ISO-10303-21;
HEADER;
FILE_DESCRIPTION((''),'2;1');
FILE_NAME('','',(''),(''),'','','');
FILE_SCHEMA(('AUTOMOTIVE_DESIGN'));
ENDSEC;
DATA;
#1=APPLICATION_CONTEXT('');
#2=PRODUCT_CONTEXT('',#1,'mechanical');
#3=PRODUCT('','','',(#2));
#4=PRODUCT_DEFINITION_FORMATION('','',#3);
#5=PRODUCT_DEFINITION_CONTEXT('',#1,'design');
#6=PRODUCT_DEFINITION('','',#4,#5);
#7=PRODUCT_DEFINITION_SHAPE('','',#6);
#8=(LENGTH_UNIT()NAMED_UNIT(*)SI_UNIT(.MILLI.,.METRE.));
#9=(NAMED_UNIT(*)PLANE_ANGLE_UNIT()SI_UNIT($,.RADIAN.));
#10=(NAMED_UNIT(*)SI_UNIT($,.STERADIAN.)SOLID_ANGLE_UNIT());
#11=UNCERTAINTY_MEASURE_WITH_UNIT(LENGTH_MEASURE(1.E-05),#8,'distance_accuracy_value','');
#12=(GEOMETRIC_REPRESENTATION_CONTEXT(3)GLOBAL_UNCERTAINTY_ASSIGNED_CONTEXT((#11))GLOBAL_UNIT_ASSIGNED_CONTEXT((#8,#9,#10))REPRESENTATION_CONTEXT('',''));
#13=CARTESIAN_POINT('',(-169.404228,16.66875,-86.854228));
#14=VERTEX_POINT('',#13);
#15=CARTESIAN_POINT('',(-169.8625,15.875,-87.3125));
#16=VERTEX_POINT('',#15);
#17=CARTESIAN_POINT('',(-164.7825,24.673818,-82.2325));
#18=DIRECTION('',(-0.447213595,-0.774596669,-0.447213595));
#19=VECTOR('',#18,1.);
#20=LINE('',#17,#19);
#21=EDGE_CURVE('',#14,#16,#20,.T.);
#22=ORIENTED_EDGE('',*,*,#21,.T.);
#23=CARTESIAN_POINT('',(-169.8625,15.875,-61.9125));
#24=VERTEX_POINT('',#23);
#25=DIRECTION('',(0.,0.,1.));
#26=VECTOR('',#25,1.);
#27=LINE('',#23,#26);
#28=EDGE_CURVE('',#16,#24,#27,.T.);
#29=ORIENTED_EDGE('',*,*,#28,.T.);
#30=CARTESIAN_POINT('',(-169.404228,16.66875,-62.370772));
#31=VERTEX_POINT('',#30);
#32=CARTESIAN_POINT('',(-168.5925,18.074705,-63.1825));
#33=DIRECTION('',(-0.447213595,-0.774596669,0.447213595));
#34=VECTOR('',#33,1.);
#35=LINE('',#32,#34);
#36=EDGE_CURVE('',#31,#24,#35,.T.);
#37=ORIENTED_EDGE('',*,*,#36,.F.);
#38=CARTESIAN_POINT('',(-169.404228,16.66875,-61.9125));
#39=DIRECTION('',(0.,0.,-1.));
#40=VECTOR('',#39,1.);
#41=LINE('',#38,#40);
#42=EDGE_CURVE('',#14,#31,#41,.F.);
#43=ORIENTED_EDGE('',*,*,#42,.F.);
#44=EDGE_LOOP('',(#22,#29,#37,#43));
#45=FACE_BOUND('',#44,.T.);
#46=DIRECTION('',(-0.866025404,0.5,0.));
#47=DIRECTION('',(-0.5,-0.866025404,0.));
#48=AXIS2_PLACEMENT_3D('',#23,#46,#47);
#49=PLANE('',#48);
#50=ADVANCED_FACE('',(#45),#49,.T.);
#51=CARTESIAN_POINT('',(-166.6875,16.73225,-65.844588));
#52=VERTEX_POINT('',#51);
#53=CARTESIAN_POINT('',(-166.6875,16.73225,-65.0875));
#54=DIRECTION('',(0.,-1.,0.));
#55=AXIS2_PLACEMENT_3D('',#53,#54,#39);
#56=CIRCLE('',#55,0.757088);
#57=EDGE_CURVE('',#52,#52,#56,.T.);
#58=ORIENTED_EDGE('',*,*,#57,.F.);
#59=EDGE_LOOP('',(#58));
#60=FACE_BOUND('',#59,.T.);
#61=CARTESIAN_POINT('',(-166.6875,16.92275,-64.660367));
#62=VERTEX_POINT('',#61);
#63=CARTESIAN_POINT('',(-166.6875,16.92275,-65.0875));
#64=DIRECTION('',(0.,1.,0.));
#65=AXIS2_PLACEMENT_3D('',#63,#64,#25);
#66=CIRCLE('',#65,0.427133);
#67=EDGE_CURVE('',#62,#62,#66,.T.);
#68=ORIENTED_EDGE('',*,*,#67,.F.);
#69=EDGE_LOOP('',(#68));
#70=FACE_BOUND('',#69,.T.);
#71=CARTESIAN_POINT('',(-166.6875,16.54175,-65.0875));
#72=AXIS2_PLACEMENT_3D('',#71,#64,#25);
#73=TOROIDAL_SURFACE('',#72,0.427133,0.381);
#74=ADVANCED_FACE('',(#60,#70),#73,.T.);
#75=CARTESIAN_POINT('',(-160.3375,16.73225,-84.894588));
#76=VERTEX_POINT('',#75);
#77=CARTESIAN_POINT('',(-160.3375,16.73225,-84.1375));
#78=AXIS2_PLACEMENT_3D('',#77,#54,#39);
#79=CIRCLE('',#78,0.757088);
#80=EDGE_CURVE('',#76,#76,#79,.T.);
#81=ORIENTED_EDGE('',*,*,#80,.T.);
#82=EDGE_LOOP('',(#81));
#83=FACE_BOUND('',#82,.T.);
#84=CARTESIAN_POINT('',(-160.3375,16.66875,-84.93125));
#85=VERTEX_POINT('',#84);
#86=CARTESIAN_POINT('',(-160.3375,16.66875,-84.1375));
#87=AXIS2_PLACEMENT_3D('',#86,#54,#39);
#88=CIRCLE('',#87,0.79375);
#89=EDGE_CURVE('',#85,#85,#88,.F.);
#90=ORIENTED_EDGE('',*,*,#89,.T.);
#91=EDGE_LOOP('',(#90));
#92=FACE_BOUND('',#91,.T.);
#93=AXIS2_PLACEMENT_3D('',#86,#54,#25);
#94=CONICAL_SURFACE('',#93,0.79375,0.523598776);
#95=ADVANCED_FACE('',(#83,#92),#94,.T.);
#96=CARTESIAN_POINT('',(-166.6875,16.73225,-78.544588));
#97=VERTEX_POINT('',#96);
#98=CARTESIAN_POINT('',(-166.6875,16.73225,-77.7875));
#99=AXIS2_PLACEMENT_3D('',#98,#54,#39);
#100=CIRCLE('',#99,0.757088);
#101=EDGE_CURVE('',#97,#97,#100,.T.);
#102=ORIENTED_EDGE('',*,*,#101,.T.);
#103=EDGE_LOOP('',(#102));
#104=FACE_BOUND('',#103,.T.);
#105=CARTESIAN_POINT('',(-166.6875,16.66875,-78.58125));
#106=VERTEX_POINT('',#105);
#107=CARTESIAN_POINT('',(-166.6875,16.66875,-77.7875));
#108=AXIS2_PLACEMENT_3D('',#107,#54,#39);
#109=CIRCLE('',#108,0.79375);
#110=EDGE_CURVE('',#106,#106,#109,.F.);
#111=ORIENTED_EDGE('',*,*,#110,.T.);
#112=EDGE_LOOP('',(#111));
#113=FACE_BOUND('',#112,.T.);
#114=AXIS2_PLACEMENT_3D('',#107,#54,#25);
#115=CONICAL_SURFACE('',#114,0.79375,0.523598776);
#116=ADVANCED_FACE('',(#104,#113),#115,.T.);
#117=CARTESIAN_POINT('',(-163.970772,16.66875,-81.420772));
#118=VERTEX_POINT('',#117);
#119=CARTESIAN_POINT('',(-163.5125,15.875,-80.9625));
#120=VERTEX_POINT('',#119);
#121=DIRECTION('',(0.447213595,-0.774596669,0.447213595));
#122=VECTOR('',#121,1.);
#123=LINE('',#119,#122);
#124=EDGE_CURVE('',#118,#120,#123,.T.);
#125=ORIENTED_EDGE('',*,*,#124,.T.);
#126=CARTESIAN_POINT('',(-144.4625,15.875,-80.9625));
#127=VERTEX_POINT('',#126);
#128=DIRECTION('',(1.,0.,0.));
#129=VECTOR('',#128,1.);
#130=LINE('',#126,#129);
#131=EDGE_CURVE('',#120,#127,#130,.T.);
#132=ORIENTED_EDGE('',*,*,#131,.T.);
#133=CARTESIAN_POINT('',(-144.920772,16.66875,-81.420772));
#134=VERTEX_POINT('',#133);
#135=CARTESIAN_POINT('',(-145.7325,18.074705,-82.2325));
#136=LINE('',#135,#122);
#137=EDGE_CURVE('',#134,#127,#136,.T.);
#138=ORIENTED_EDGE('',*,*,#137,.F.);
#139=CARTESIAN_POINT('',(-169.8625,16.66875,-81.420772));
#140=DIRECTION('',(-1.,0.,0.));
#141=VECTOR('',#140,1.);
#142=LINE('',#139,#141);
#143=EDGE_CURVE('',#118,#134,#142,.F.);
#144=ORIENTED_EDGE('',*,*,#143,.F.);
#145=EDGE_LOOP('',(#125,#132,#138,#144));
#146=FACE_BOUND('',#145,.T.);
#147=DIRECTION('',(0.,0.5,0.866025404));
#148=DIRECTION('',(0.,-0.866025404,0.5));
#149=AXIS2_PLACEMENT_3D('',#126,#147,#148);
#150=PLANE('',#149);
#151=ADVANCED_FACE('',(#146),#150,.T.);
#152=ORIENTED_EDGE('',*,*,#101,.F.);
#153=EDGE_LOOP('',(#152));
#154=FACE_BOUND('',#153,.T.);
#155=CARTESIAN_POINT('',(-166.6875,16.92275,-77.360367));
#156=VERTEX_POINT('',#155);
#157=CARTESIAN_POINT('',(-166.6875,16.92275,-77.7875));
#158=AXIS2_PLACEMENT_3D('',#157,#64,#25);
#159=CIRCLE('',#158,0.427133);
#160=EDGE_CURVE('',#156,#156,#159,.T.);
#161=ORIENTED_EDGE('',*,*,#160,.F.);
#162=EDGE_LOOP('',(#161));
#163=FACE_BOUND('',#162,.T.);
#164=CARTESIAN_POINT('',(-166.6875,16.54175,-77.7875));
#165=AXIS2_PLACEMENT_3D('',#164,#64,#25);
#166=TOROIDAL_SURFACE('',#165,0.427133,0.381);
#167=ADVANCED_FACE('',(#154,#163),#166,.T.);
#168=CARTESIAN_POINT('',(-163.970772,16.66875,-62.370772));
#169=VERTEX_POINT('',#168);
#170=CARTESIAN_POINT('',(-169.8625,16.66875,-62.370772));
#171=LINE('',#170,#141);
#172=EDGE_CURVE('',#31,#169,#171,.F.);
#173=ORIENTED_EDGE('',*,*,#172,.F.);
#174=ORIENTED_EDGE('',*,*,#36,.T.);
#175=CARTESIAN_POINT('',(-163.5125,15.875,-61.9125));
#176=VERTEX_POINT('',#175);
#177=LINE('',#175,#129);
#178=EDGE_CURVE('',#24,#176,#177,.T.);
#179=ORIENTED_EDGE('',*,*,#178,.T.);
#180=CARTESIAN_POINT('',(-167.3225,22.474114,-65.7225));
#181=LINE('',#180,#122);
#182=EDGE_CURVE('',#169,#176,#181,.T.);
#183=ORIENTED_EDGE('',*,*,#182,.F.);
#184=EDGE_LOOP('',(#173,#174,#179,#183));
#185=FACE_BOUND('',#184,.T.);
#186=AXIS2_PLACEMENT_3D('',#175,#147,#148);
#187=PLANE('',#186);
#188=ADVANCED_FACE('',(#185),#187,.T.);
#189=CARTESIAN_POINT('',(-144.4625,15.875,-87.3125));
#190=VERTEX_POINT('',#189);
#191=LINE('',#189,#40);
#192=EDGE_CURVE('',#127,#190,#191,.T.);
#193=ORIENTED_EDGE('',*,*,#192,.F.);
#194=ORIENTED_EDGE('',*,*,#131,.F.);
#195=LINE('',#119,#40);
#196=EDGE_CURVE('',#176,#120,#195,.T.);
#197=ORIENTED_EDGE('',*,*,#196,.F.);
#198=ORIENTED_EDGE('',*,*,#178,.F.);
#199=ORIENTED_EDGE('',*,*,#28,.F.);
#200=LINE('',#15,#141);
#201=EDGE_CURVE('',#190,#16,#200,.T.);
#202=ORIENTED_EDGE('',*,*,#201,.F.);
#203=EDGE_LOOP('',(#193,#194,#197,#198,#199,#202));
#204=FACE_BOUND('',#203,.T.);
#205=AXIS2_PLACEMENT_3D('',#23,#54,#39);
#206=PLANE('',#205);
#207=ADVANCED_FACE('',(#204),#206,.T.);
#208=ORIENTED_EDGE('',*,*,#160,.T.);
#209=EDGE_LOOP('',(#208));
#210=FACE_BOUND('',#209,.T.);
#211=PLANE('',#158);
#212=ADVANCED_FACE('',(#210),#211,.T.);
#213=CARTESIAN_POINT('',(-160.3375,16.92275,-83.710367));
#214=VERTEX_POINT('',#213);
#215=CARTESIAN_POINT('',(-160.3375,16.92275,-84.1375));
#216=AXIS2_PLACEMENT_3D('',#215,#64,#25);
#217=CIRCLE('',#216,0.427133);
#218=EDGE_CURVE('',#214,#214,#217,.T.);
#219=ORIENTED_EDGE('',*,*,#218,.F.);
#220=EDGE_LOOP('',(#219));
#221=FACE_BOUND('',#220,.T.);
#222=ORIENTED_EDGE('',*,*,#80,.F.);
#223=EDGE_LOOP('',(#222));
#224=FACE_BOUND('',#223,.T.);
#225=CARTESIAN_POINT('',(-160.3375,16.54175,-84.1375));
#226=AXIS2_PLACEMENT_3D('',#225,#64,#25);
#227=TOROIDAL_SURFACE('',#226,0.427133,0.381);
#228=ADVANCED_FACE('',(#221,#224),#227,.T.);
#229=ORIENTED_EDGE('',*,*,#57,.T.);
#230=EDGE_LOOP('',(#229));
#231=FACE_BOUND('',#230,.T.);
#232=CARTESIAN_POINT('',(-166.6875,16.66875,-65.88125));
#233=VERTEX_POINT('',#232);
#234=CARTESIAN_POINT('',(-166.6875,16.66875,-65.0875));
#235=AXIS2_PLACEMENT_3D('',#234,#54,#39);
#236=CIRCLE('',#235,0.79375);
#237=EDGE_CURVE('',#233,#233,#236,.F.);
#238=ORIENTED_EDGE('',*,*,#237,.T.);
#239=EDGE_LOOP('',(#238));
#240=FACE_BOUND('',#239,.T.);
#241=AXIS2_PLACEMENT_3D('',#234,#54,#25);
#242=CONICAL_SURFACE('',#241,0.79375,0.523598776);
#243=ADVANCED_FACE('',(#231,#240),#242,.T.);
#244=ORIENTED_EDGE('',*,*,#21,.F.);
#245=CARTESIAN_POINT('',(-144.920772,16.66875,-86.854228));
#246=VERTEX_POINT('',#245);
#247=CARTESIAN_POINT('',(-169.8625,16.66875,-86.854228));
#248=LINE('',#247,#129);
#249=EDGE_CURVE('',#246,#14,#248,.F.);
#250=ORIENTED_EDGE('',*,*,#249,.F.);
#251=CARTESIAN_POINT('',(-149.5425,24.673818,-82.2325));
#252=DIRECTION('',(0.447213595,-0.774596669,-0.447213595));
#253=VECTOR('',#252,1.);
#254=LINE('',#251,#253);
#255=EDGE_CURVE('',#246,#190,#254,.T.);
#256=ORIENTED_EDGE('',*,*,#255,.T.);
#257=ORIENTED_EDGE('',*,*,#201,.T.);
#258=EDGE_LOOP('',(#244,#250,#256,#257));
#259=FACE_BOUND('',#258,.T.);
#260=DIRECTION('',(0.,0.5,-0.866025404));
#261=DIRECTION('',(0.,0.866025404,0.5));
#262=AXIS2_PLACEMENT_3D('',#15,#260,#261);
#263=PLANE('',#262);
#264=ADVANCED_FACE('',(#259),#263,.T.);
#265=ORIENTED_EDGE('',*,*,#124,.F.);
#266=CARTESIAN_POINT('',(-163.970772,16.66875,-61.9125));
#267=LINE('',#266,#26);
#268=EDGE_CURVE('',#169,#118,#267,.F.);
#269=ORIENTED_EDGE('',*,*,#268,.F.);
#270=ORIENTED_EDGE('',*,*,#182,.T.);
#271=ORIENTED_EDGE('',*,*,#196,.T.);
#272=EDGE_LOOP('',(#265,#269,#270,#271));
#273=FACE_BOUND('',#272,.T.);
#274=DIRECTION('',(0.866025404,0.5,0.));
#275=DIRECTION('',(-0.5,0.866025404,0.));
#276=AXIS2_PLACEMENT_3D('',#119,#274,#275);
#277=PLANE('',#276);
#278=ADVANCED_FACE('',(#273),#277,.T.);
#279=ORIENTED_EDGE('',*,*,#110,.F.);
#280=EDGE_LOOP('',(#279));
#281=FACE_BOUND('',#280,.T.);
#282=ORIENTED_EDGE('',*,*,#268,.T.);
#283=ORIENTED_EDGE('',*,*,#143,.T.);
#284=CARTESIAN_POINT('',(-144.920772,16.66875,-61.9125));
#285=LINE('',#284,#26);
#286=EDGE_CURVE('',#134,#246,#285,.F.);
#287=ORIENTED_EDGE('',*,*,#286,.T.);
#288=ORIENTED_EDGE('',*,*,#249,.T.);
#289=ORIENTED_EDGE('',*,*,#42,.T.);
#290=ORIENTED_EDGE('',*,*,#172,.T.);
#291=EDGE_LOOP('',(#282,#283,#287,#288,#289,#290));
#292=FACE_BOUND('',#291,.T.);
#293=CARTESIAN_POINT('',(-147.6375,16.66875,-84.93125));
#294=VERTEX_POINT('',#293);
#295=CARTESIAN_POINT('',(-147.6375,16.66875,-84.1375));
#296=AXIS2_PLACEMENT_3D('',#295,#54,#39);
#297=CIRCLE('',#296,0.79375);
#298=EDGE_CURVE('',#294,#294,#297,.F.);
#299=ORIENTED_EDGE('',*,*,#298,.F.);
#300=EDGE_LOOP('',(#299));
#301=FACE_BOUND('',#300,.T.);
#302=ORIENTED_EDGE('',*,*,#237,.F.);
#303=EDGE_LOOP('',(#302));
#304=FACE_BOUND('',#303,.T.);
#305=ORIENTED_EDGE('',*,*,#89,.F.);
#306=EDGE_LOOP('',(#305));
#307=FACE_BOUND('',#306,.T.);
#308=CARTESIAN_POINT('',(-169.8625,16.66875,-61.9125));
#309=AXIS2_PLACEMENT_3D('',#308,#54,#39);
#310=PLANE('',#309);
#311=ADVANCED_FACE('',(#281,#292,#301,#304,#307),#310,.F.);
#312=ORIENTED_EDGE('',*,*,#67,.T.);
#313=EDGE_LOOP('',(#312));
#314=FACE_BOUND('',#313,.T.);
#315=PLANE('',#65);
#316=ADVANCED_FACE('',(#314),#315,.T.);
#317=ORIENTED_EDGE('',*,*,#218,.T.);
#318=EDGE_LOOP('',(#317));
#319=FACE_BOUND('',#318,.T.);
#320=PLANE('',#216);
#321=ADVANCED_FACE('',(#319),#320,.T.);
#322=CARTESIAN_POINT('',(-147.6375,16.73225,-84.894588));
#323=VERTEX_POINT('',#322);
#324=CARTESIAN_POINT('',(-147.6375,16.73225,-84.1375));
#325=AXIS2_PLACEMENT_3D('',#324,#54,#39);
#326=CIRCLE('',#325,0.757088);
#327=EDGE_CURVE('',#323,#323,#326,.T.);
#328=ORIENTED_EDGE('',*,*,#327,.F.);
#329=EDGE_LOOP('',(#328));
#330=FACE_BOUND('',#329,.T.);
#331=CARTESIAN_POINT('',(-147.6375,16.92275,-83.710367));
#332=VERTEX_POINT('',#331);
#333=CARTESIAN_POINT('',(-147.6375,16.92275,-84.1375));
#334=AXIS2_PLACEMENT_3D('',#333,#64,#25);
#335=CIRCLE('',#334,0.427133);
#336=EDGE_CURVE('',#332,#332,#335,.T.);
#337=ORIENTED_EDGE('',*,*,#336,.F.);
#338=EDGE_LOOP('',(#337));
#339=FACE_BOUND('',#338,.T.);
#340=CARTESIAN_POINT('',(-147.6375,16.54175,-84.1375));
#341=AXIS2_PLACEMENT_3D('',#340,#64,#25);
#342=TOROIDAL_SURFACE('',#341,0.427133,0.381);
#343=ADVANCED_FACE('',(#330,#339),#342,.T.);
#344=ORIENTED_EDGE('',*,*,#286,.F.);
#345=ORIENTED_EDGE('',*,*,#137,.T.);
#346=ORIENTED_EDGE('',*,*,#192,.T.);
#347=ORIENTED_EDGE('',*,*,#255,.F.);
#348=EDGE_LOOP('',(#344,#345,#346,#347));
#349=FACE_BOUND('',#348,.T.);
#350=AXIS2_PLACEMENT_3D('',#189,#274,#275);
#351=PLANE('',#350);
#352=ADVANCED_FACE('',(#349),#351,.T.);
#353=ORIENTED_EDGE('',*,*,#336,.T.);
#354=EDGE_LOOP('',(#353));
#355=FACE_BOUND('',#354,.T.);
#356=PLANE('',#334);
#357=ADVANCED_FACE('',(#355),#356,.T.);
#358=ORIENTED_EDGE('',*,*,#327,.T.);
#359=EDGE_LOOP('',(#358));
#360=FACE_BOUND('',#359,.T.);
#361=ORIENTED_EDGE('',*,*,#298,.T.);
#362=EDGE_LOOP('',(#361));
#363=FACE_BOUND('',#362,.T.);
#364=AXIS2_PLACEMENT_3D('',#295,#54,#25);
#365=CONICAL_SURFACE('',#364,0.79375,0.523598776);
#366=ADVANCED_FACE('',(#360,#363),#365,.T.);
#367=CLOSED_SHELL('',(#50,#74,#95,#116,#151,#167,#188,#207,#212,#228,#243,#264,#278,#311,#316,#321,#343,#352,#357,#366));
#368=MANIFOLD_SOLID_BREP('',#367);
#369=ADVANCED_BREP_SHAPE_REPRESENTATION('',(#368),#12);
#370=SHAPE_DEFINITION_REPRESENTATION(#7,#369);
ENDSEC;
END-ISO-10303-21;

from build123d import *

# Parameters (mm, degrees)
BOSS_EXTRUDE1_DEPTH           = 0.79375
BOSS_EXTRUDE1_TAPER           = 30
SKETCH3_R                     = 0.79375
BOSS_EXTRUDE2_DEPTH           = 0.254
BOSS_EXTRUDE2_DRAFT           = 30
BOSS_EXTRUDE2_PROFILE_2_DEPTH = 0.254
BOSS_EXTRUDE2_PROFILE_2_DRAFT = 30
BOSS_EXTRUDE2_PROFILE_3_DEPTH = 0.254
BOSS_EXTRUDE2_PROFILE_3_DRAFT = 30
BOSS_EXTRUDE2_PROFILE_4_DEPTH = 0.254
BOSS_EXTRUDE2_PROFILE_4_DRAFT = 30
FILLET1_R                     = 0.381


with BuildPart() as part:
    # Sketch2 → Boss-Extrude1 (new body)
    with BuildSketch(Plane(origin=(0, 15.875, 0), x_dir=(1, 0, 0), z_dir=(0, 1, 0))):
        Polygon((-169.8625, 61.9125), (-163.5125, 61.9125), (-163.5125, 80.9625), (-144.4625, 80.9625), (-144.4625, 87.3125), (-169.8625, 87.3125), align=None)
    extrude(amount=BOSS_EXTRUDE1_DEPTH, taper=BOSS_EXTRUDE1_TAPER)


with BuildPart() as boss_extrude2_tool:
    # Sketch3 → Boss-Extrude2 (with draft: the straight prism first)
    with BuildSketch(Plane(origin=(0, 16.66875, 0), x_dir=(1, 0, 0), z_dir=(0, 1, 0))):
        with Locations((-166.6875, 65.0875)):
            Circle(SKETCH3_R)
    extrude(amount=BOSS_EXTRUDE2_DEPTH)
    # Boss-Extrude2: the draft: its side faces are tilted about the plane it starts from
    boss_extrude2_sides = [boss_extrude2_tool.faces().sort_by_distance(p)[0] for p in [
        (-167.48125, 16.79575, -65.0875),
    ]]
    draft(boss_extrude2_sides, Plane(origin=(0, 16.66875, 0), x_dir=(1, 0, 0), z_dir=(0, 1, 0)), BOSS_EXTRUDE2_DRAFT)


with BuildPart() as part_1:
    add(part.part)

    # Boss-Extrude2: add boss_extrude2_tool
    add(boss_extrude2_tool.part)


with BuildPart() as boss_extrude2_profile_2_tool:
    # Sketch3 → Boss-Extrude2 profile 2 (with draft: the straight prism first)
    with BuildSketch(Plane(origin=(0, 16.66875, 0), x_dir=(1, 0, 0), z_dir=(0, 1, 0))):
        with Locations((-166.6875, 77.7875)):
            Circle(SKETCH3_R)
    extrude(amount=BOSS_EXTRUDE2_PROFILE_2_DEPTH)
    # Boss-Extrude2 profile 2: the draft: its side faces are tilted about the plane it starts from
    boss_extrude2_profile_2_sides = [boss_extrude2_profile_2_tool.faces().sort_by_distance(p)[0] for p in [
        (-167.48125, 16.79575, -77.7875),
    ]]
    draft(boss_extrude2_profile_2_sides, Plane(origin=(0, 16.66875, 0), x_dir=(1, 0, 0), z_dir=(0, 1, 0)), BOSS_EXTRUDE2_PROFILE_2_DRAFT)


with BuildPart() as part_2:
    add(part_1.part)

    # Boss-Extrude2 profile 2: add boss_extrude2_profile_2_tool
    add(boss_extrude2_profile_2_tool.part)


with BuildPart() as boss_extrude2_profile_3_tool:
    # Sketch3 → Boss-Extrude2 profile 3 (with draft: the straight prism first)
    with BuildSketch(Plane(origin=(0, 16.66875, 0), x_dir=(1, 0, 0), z_dir=(0, 1, 0))):
        with Locations((-160.3375, 84.1375)):
            Circle(SKETCH3_R)
    extrude(amount=BOSS_EXTRUDE2_PROFILE_3_DEPTH)
    # Boss-Extrude2 profile 3: the draft: its side faces are tilted about the plane it starts from
    boss_extrude2_profile_3_sides = [boss_extrude2_profile_3_tool.faces().sort_by_distance(p)[0] for p in [
        (-161.13125, 16.79575, -84.1375),
    ]]
    draft(boss_extrude2_profile_3_sides, Plane(origin=(0, 16.66875, 0), x_dir=(1, 0, 0), z_dir=(0, 1, 0)), BOSS_EXTRUDE2_PROFILE_3_DRAFT)


with BuildPart() as part_3:
    add(part_2.part)

    # Boss-Extrude2 profile 3: add boss_extrude2_profile_3_tool
    add(boss_extrude2_profile_3_tool.part)


with BuildPart() as boss_extrude2_profile_4_tool:
    # Sketch3 → Boss-Extrude2 profile 4 (with draft: the straight prism first)
    with BuildSketch(Plane(origin=(0, 16.66875, 0), x_dir=(1, 0, 0), z_dir=(0, 1, 0))):
        with Locations((-147.6375, 84.1375)):
            Circle(SKETCH3_R)
    extrude(amount=BOSS_EXTRUDE2_PROFILE_4_DEPTH)
    # Boss-Extrude2 profile 4: the draft: its side faces are tilted about the plane it starts from
    boss_extrude2_profile_4_sides = [boss_extrude2_profile_4_tool.faces().sort_by_distance(p)[0] for p in [
        (-148.43125, 16.79575, -84.1375),
    ]]
    draft(boss_extrude2_profile_4_sides, Plane(origin=(0, 16.66875, 0), x_dir=(1, 0, 0), z_dir=(0, 1, 0)), BOSS_EXTRUDE2_PROFILE_4_DRAFT)


with BuildPart() as part_4:
    add(part_3.part)

    # Boss-Extrude2 profile 4: add boss_extrude2_profile_4_tool
    add(boss_extrude2_profile_4_tool.part)

    # Fillet1
    fillet1_edges = [part_4.edges().sort_by_distance(p)[0] for p in [
        (-167.334603032, 16.92275, -65.0875),
        (-167.334603032, 16.92275, -77.7875),
        (-160.984603032, 16.92275, -84.1375),
        (-148.284603032, 16.92275, -84.1375),
    ]]
    fillet(fillet1_edges, radius=FILLET1_R)


solid = part_4.part
